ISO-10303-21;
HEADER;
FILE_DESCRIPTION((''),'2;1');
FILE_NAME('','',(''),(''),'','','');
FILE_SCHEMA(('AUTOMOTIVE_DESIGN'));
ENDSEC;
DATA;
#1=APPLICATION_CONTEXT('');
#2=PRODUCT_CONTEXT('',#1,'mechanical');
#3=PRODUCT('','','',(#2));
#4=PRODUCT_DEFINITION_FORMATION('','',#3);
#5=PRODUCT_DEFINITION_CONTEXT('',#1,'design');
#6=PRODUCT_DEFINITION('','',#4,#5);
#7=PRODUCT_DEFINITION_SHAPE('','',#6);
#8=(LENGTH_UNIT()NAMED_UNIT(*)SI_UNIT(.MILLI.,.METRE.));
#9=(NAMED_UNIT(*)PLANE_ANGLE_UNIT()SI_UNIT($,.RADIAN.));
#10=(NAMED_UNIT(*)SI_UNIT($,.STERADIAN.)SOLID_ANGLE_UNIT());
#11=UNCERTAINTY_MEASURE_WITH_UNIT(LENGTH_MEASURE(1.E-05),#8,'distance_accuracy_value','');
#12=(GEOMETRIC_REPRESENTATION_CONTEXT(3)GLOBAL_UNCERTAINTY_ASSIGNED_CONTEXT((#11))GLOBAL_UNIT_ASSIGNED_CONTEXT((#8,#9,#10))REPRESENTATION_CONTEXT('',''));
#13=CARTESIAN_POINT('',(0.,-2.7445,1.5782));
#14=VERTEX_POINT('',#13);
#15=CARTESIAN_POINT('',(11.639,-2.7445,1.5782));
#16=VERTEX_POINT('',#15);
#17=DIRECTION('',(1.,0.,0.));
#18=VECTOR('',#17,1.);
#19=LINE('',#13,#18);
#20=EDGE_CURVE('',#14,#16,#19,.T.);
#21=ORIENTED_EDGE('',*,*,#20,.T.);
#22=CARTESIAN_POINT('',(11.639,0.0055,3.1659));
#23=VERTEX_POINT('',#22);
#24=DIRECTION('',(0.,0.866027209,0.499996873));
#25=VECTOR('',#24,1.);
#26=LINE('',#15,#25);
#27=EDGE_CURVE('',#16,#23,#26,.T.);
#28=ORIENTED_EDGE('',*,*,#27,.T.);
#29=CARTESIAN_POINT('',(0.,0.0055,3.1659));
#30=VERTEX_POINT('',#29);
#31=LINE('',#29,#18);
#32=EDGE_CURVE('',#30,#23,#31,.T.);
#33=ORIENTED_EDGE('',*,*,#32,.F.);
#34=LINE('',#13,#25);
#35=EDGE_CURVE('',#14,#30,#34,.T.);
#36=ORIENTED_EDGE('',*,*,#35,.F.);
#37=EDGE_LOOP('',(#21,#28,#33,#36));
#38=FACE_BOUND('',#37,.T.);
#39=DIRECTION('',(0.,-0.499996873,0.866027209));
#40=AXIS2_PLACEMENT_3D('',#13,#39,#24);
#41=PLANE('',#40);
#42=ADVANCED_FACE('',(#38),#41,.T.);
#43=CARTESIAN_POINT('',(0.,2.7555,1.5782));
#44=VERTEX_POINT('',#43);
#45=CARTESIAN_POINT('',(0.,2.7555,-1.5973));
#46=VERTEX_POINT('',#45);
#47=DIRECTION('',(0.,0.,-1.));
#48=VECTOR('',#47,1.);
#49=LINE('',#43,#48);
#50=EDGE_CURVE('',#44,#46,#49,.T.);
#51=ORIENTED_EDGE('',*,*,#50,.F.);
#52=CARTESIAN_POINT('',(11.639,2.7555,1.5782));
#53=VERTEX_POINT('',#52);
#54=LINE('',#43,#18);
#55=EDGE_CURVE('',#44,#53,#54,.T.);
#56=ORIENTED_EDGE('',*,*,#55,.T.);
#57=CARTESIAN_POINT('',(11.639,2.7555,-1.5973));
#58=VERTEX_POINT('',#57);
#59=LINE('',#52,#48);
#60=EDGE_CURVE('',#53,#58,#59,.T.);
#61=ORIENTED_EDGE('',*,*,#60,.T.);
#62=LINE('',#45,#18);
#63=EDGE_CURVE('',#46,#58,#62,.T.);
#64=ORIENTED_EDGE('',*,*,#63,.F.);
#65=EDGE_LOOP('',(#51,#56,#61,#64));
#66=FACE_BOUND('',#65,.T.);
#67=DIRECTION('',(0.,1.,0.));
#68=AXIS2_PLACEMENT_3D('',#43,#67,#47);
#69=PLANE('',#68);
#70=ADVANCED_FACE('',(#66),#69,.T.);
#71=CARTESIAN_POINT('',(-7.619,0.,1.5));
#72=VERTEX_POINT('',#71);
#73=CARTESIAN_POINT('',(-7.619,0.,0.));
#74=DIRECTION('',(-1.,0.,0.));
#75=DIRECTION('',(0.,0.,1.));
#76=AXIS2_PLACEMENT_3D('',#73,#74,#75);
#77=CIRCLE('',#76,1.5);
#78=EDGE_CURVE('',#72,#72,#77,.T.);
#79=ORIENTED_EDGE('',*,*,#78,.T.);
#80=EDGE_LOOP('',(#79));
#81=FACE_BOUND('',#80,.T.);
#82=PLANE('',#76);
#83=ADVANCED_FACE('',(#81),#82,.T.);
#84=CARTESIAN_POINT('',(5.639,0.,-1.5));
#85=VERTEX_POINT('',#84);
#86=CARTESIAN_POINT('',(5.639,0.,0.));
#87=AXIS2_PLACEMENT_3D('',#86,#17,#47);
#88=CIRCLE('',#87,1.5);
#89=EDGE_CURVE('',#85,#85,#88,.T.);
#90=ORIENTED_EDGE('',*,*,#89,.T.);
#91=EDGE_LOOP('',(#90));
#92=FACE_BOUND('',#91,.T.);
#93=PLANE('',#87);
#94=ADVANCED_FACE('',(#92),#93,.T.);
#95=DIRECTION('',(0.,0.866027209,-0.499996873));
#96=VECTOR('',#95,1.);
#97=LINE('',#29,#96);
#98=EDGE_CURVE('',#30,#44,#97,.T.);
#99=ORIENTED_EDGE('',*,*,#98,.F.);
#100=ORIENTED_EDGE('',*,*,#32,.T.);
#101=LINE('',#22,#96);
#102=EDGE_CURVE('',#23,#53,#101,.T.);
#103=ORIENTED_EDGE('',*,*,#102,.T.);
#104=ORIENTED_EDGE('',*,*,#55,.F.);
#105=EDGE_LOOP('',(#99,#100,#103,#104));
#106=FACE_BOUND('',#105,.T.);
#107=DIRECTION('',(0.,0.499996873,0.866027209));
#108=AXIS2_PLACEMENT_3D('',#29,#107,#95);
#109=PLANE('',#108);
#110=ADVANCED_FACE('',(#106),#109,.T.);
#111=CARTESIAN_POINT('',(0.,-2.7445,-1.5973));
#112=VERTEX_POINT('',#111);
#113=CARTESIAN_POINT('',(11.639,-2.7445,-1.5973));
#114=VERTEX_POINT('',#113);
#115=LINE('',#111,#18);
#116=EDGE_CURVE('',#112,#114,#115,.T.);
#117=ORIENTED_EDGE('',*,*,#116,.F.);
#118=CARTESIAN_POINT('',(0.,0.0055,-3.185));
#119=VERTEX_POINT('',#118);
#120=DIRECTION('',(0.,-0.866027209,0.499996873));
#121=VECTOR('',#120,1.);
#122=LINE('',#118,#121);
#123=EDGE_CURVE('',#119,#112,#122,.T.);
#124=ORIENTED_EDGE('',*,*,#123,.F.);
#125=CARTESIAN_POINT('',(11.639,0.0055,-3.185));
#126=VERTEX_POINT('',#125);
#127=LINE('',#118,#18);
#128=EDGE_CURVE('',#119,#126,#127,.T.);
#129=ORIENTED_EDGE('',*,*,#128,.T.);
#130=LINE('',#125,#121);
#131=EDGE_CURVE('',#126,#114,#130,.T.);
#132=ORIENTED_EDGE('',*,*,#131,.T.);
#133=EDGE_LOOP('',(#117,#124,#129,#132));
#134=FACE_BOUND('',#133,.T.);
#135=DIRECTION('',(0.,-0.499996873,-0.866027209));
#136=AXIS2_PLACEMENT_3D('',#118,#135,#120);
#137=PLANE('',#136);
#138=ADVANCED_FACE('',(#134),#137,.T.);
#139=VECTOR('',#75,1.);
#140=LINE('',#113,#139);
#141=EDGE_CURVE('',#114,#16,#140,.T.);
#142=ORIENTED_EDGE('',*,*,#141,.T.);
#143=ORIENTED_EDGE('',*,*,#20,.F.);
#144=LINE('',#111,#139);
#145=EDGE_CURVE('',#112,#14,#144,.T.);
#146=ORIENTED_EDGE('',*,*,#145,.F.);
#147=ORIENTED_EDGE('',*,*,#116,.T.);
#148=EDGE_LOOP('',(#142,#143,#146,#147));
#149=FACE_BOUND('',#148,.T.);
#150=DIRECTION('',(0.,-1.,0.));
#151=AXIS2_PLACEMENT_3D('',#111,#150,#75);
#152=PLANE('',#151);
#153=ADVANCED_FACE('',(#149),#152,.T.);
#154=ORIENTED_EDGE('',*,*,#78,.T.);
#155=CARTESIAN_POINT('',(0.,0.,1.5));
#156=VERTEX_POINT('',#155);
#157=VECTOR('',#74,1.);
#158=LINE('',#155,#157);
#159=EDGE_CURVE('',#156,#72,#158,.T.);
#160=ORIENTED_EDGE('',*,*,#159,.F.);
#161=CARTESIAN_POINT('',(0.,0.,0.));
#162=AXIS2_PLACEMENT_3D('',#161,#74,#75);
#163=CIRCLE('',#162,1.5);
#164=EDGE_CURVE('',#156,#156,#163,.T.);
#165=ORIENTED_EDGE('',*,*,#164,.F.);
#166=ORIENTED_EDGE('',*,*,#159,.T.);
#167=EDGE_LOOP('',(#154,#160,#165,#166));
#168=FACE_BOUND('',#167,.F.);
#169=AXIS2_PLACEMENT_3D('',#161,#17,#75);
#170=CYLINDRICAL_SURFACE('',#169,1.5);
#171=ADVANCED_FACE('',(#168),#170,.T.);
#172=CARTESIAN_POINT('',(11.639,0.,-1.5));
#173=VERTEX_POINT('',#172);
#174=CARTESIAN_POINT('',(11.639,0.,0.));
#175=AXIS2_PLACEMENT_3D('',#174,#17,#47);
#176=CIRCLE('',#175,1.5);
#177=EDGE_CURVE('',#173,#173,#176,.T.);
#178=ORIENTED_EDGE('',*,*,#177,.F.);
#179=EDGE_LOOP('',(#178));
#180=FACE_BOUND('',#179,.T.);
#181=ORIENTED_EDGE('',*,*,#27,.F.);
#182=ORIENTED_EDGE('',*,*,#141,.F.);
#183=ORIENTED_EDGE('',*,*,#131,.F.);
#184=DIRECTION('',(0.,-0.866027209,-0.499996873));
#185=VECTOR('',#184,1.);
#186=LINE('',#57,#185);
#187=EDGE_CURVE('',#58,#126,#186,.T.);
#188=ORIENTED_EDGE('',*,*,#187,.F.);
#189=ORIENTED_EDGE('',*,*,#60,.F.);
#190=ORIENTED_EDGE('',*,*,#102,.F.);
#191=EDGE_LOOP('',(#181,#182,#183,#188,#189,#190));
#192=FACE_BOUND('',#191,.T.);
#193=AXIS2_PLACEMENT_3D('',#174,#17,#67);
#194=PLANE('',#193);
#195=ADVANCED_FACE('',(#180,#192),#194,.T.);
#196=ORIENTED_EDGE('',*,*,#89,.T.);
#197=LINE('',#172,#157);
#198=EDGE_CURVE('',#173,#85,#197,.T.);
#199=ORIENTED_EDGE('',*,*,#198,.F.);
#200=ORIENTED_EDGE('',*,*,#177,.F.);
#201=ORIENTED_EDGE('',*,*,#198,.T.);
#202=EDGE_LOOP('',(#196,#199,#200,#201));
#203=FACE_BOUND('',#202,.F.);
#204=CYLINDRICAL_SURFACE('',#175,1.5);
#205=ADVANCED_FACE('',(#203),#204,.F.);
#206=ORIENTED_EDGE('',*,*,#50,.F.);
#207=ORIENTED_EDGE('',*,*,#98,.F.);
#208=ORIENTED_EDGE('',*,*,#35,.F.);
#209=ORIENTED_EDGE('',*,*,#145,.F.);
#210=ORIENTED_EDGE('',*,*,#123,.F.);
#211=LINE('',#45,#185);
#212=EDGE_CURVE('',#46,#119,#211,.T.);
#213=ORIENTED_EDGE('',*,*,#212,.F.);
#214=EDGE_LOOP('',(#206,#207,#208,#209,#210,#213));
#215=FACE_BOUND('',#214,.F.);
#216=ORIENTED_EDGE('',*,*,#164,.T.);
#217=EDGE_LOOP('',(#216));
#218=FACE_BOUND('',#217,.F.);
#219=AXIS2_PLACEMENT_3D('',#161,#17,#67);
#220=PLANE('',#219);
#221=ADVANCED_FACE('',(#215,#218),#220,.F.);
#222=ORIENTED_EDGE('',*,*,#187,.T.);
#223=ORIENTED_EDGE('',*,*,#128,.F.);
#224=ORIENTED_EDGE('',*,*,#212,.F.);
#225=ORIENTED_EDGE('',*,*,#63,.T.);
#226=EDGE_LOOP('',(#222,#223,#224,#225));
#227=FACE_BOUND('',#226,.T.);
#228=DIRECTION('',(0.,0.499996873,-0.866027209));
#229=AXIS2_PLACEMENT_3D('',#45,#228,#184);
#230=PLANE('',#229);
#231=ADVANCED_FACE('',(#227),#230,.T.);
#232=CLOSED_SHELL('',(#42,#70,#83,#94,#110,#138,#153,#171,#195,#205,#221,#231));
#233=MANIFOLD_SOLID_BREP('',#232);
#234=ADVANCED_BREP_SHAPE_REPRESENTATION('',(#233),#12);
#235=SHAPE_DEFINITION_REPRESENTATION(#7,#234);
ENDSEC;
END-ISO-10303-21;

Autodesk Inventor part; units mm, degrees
ref_plane "YZ Plane" through (0, 0, 0) normal (1, 0, 0) x (0, 1, 0)
ref_plane "XZ Plane" through (0, 0, 0) normal (0, 1, 0) x (-1, 0, 0)
ref_plane "XY Plane" through (0, 0, 0) normal (0, 0, 1) x (1, 0, 0)
sketch "Sketch1" plane through (0, 0, 0) normal (1, 0, 0) x (0, 1, 0)
  line L0 (0.0055, 3.1659) -> (2.7555, 1.5782)
  line L1 (2.7555, 1.5782) -> (2.7555, -1.5973)
  line L2 (2.7555, -1.5973) -> (0.0055, -3.185)
  line L3 (0.0055, -3.185) -> (-2.7445, -1.5973)
  line L4 (-2.7445, -1.5973) -> (-2.7445, 1.5782)
  line L5 (-2.7445, 1.5782) -> (0.0055, 3.1659)
  point P0 (0.0055, -0.0095)
  dimension "d1" = 5.5
extrude "Extrusion1" add sketch "Sketch1" along normal blind 11.639
sketch "Sketch2" plane through (0, 0, 0) normal (-1, 0, 0) x (0, 0, 1)
  circle A0 centre (0, 0) radius 1.5
  dimension "d4" = 3
extrude "Extrusion2" add sketch "Sketch2" along normal blind 7.619
sketch "Sketch3" plane through (11.639, 0, 0) normal (1, 0, 0) x (0, 0, -1)
  circle A0 centre (0, 0) radius 1.5
  dimension "d7" = 3
extrude "Extrusion3" cut sketch "Sketch3" against normal blind 6
properties part number "Spacer" material "Brass, Soft Yellow"
